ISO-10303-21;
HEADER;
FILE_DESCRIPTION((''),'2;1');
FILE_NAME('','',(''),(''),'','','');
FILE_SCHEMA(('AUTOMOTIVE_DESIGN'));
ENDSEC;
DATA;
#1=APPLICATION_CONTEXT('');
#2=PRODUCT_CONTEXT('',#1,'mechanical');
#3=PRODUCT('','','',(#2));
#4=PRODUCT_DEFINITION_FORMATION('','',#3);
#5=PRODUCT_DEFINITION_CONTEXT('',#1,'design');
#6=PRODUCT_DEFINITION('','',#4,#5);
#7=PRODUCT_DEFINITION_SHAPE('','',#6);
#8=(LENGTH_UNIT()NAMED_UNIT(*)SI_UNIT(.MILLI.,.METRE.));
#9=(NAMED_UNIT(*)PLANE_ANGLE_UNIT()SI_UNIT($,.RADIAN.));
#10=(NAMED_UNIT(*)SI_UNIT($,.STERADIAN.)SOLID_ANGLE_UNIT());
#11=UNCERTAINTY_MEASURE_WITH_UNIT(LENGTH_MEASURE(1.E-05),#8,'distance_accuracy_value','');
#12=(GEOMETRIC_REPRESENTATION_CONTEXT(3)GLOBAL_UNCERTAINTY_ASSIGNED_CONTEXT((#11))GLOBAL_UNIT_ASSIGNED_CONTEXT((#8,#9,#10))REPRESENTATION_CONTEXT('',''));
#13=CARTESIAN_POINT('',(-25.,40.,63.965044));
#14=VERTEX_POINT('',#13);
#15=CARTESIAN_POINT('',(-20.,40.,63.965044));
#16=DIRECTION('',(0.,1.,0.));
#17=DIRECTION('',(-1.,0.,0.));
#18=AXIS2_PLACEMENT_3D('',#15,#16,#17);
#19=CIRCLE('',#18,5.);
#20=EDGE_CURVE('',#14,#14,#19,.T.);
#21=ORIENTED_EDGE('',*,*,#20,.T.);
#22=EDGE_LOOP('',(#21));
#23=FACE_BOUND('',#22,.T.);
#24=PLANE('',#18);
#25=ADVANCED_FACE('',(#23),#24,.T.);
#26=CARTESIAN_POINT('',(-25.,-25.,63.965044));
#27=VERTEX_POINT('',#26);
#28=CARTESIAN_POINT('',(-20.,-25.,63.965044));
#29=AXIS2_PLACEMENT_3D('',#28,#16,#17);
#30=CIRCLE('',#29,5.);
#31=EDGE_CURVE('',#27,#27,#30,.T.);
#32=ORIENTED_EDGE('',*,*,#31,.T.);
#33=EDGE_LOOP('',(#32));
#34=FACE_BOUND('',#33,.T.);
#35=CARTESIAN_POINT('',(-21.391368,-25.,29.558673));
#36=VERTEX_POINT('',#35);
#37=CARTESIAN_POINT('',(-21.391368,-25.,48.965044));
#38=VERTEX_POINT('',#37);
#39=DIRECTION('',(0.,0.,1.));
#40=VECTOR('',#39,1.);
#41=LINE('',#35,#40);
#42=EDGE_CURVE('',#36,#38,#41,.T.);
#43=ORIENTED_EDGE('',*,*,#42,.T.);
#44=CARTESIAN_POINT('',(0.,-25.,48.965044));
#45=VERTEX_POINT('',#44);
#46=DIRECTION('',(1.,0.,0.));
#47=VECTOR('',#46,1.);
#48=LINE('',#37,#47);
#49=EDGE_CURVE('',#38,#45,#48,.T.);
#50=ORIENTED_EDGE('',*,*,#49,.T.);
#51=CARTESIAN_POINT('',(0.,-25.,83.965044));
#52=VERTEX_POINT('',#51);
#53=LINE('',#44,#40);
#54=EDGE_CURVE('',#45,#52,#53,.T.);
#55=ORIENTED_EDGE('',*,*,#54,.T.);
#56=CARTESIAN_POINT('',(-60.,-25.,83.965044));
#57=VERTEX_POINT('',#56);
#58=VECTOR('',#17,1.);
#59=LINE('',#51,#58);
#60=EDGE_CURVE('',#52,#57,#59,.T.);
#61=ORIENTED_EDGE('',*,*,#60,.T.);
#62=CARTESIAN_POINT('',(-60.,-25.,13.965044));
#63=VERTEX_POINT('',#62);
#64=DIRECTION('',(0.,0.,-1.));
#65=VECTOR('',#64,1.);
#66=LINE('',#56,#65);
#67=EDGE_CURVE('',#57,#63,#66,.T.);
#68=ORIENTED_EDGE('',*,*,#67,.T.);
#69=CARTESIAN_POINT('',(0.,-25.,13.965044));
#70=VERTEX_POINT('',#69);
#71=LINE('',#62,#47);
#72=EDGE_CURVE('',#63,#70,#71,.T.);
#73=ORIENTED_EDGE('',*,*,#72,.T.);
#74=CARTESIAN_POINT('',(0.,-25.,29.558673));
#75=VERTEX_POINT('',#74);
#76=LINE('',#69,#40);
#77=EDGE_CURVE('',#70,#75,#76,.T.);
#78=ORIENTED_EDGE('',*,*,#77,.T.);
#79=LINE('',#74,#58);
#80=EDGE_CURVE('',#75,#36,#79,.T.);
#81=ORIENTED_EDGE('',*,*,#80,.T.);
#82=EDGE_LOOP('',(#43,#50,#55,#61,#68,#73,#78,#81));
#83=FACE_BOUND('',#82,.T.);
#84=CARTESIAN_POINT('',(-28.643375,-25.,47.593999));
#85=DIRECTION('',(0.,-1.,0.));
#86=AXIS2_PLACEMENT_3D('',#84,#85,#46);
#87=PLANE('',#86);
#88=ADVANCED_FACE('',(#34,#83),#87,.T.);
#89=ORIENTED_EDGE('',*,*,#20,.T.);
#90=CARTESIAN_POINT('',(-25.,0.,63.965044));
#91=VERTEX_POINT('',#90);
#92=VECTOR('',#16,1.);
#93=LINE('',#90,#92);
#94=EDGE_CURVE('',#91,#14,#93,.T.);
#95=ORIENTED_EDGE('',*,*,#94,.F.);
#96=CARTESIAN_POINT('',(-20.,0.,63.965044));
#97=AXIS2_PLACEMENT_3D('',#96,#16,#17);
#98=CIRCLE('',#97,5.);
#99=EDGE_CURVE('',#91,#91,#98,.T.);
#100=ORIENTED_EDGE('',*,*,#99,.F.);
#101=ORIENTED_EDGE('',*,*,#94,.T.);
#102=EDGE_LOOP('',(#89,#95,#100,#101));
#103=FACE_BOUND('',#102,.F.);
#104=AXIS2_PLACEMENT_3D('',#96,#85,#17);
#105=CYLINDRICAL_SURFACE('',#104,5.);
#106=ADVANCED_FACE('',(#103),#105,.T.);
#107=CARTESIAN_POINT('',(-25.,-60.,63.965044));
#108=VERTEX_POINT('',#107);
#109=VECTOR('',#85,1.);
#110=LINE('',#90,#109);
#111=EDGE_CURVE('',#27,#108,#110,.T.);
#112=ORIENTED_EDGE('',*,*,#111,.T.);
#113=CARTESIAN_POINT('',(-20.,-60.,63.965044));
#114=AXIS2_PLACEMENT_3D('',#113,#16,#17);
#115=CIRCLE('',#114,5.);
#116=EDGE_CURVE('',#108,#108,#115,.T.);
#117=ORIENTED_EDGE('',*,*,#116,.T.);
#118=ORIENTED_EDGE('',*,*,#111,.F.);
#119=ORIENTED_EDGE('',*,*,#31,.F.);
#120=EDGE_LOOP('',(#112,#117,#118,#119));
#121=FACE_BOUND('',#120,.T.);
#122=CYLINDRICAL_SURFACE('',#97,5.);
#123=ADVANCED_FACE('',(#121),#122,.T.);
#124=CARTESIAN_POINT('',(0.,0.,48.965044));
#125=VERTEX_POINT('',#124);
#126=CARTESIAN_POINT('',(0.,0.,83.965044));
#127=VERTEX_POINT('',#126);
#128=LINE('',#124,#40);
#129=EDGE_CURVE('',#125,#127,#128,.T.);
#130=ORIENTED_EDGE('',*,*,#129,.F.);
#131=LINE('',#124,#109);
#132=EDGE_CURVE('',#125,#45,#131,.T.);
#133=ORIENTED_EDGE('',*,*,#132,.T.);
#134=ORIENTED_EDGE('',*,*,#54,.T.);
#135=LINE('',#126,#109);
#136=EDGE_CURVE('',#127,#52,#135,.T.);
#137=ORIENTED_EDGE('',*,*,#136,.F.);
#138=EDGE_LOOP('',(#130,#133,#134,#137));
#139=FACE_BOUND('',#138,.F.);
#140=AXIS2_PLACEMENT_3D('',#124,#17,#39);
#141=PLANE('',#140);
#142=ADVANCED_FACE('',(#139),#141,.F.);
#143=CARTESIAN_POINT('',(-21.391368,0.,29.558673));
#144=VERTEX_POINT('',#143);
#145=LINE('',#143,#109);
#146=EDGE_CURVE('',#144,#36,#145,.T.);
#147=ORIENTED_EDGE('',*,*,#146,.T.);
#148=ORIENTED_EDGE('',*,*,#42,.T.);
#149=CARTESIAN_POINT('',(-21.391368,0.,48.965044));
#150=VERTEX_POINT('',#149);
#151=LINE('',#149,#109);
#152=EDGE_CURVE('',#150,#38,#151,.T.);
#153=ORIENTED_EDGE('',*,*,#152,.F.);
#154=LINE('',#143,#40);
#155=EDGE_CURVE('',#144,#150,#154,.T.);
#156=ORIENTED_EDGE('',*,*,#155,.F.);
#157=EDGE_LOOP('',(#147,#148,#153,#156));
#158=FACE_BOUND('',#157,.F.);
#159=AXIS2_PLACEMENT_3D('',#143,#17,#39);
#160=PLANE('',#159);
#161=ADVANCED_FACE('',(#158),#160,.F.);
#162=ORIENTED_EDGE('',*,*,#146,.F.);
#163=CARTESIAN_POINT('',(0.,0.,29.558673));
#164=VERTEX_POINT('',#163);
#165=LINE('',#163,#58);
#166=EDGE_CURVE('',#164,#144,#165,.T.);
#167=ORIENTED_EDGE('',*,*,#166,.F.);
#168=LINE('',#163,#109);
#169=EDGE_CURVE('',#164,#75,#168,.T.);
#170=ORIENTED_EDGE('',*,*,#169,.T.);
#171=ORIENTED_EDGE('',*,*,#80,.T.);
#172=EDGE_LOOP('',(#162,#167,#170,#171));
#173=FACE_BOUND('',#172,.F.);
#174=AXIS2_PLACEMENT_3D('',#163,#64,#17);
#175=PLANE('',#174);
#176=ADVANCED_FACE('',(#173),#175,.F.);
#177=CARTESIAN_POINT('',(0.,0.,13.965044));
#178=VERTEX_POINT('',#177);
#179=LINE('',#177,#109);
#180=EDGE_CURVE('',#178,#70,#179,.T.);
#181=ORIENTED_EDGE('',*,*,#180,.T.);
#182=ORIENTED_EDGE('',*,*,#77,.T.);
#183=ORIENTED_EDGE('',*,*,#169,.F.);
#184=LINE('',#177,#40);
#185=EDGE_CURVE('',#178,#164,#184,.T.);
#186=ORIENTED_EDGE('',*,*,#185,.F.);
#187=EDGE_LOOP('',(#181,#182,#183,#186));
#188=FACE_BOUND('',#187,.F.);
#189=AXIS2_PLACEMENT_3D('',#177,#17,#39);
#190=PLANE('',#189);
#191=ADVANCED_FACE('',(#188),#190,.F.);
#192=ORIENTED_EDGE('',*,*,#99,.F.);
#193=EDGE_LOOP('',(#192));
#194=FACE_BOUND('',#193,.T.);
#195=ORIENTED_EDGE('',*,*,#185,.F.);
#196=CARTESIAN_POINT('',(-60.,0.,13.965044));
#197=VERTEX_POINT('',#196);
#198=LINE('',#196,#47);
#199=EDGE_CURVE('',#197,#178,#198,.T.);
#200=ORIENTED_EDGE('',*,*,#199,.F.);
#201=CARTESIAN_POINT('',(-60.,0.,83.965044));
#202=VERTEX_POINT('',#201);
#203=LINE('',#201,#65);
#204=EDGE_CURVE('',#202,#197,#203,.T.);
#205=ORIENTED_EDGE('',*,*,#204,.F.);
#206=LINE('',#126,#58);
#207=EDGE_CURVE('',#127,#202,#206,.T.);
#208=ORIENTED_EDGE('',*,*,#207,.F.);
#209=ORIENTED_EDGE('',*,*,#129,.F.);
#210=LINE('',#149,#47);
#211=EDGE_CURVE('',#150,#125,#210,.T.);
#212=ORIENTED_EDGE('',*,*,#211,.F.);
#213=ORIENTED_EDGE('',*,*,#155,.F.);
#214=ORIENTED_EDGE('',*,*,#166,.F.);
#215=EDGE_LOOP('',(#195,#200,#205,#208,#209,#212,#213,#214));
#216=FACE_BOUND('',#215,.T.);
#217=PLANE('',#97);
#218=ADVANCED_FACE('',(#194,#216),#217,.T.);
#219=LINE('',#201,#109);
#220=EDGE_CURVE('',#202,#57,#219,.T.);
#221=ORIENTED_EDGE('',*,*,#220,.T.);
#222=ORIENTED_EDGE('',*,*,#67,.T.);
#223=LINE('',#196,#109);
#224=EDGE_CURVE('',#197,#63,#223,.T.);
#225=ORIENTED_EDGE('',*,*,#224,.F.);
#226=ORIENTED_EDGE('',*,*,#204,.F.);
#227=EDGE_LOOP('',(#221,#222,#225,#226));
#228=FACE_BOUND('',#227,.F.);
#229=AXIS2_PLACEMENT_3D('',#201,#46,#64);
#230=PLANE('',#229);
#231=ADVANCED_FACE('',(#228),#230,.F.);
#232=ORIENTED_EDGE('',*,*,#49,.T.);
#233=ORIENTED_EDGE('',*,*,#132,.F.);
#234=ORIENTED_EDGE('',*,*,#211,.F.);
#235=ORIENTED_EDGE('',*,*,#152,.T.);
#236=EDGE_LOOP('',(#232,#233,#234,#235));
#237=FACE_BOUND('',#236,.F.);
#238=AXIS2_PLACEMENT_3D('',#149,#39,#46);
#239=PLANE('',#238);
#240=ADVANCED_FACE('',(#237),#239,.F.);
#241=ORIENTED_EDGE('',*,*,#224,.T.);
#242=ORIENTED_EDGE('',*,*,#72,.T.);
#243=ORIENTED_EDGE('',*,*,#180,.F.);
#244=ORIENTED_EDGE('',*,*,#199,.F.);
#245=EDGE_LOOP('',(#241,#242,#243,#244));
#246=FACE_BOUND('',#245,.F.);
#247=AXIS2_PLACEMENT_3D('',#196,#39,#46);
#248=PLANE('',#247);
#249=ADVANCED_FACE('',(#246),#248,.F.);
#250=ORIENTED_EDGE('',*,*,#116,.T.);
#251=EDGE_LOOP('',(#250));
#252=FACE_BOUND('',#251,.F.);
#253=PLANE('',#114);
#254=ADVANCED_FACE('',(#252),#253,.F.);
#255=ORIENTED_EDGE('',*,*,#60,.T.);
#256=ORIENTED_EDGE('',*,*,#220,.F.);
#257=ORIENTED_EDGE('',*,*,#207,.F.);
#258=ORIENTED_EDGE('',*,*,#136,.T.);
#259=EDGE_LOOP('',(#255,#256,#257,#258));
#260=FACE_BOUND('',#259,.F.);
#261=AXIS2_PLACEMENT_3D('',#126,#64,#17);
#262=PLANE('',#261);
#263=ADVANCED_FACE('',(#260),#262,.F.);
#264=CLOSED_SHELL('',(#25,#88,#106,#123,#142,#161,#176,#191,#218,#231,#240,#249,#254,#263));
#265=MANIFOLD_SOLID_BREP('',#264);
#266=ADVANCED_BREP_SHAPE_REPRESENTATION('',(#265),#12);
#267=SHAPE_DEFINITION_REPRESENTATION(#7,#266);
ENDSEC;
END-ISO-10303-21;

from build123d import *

# Parameters (mm, degrees)
F1_DEPTH      = 25
F2_R          = 5
F3_DEPTH      = 60
F3_DEPTH_BACK = 40


with BuildPart() as f1:
    # F0 (on Front) → F1 (new body)
    with BuildSketch(Plane.XZ):
        Polygon((0, 83.9650441706), (-60, 83.9650441706), (-60, 13.9650441706), (0, 13.9650441706), (0, 29.5586726815), (-21.3913675398, 29.5586726815), (-21.3913675398, 48.9650441706), (0, 48.9650441706), align=None)
    extrude(amount=F1_DEPTH)

    # F2 (on face) → F3 (join, two sides)
    with BuildSketch(Plane(origin=(0, 0, 0), x_dir=(-1, 0, 0), z_dir=(0, 1, 0))) as f3_sk:
        with Locations((20, 63.9650441706)):
            Circle(F2_R)
    extrude(amount=-F3_DEPTH)
    extrude(f3_sk.sketch, amount=F3_DEPTH_BACK)


solid = f1.part
